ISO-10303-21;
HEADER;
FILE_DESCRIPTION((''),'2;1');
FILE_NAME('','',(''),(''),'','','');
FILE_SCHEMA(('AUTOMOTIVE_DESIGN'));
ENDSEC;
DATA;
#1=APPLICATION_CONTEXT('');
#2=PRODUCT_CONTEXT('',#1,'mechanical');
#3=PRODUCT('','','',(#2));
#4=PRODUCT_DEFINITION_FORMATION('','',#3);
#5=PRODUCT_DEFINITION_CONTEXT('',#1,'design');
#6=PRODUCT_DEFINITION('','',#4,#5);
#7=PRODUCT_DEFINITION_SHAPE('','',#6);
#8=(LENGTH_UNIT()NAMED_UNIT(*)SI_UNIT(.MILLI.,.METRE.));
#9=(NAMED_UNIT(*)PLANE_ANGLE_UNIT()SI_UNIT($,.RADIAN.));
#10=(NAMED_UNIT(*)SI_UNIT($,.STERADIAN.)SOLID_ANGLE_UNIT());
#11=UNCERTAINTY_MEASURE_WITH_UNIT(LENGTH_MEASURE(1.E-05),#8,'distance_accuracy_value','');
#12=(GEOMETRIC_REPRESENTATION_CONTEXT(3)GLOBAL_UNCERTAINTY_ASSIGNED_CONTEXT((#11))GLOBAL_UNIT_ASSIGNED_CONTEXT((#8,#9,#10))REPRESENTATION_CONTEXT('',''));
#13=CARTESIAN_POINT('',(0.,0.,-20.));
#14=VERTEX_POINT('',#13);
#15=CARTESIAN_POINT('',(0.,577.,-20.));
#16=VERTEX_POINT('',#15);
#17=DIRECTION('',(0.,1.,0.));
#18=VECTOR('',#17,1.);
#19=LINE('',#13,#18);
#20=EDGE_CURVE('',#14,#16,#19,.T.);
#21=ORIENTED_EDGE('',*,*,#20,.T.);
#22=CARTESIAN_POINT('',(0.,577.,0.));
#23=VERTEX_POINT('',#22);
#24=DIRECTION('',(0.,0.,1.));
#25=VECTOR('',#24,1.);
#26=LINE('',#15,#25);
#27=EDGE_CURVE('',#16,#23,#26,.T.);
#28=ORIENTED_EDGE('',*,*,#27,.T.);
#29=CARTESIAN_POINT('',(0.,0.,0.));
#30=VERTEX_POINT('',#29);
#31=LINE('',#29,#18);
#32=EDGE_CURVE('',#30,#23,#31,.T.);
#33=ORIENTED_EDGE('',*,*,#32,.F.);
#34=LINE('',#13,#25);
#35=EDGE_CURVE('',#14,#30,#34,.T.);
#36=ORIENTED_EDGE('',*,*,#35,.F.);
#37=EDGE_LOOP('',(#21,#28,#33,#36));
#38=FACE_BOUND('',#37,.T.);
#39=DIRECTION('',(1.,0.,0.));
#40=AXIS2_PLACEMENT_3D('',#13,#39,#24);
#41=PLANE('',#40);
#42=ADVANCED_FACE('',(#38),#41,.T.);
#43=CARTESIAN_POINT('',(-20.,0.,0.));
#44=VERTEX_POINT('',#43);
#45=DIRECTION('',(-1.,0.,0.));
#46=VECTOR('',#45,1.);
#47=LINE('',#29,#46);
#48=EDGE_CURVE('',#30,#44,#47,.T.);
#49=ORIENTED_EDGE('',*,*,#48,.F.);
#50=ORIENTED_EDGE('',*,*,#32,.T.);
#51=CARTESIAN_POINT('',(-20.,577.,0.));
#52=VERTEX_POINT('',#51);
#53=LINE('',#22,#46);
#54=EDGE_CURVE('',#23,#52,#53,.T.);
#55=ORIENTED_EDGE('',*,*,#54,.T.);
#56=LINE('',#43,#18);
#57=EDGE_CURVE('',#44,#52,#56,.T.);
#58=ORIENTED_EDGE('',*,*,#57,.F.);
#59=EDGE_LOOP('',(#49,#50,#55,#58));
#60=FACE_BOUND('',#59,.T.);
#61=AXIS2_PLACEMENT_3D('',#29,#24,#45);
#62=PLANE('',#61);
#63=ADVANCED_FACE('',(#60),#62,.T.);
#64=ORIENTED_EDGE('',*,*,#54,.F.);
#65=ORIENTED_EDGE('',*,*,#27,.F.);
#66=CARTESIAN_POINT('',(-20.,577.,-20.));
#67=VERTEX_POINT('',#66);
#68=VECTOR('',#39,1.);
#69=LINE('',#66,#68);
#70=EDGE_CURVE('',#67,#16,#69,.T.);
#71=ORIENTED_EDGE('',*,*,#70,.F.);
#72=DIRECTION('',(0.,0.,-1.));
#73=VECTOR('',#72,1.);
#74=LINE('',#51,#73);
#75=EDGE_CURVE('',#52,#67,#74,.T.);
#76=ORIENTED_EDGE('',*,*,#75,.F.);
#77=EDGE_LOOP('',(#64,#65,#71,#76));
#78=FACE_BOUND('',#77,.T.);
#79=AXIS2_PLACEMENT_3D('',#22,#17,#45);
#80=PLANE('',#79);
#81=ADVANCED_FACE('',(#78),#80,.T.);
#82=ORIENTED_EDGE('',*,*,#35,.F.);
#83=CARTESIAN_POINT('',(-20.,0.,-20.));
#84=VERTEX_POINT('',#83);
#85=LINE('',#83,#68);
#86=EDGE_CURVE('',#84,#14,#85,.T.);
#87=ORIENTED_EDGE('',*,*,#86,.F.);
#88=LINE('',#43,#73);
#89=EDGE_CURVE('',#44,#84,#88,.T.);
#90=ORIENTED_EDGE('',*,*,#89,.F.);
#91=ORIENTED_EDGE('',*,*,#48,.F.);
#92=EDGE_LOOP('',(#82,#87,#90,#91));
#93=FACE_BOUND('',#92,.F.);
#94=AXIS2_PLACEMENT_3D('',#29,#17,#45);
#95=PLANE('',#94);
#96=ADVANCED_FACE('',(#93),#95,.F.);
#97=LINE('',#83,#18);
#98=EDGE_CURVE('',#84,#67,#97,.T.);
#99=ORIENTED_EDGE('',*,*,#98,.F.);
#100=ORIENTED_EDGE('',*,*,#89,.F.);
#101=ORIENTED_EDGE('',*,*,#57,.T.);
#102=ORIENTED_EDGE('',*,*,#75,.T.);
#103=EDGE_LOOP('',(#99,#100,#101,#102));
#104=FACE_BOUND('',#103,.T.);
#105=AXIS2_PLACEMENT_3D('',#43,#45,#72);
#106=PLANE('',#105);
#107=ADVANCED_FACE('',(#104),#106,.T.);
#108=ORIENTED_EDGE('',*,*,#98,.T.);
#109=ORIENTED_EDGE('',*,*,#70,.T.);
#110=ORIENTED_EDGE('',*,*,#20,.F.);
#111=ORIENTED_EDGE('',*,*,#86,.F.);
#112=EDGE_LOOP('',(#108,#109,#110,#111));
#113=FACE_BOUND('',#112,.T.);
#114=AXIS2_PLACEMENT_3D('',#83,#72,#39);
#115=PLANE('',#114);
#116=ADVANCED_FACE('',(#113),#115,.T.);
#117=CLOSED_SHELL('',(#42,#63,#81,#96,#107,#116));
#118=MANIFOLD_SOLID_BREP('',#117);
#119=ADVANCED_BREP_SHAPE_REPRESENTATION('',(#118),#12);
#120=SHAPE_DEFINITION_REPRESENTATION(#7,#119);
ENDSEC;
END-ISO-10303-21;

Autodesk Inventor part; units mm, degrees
ref_plane "YZ Plane" through (0, 0, 0) normal (1, 0, 0) x (0, 1, 0)
ref_plane "XZ Plane" through (0, 0, 0) normal (0, 1, 0) x (-1, 0, 0)
ref_plane "XY Plane" through (0, 0, 0) normal (0, 0, 1) x (1, 0, 0)
sketch "スケッチ1" plane through (0, 0, 0) normal (0, 1, 0) x (-1, 0, 0)
  line L0 (0, 0) -> (20, 0)
  line L1 (20, 0) -> (20, -20)
  line L2 (20, -20) -> (0, -20)
  line L3 (0, -20) -> (0, 0)
  dimension "d0" = 20
  dimension "d1" = 20
extrude "押し出し1" add sketch "スケッチ1" along normal blind 577
properties part number "frame577"
